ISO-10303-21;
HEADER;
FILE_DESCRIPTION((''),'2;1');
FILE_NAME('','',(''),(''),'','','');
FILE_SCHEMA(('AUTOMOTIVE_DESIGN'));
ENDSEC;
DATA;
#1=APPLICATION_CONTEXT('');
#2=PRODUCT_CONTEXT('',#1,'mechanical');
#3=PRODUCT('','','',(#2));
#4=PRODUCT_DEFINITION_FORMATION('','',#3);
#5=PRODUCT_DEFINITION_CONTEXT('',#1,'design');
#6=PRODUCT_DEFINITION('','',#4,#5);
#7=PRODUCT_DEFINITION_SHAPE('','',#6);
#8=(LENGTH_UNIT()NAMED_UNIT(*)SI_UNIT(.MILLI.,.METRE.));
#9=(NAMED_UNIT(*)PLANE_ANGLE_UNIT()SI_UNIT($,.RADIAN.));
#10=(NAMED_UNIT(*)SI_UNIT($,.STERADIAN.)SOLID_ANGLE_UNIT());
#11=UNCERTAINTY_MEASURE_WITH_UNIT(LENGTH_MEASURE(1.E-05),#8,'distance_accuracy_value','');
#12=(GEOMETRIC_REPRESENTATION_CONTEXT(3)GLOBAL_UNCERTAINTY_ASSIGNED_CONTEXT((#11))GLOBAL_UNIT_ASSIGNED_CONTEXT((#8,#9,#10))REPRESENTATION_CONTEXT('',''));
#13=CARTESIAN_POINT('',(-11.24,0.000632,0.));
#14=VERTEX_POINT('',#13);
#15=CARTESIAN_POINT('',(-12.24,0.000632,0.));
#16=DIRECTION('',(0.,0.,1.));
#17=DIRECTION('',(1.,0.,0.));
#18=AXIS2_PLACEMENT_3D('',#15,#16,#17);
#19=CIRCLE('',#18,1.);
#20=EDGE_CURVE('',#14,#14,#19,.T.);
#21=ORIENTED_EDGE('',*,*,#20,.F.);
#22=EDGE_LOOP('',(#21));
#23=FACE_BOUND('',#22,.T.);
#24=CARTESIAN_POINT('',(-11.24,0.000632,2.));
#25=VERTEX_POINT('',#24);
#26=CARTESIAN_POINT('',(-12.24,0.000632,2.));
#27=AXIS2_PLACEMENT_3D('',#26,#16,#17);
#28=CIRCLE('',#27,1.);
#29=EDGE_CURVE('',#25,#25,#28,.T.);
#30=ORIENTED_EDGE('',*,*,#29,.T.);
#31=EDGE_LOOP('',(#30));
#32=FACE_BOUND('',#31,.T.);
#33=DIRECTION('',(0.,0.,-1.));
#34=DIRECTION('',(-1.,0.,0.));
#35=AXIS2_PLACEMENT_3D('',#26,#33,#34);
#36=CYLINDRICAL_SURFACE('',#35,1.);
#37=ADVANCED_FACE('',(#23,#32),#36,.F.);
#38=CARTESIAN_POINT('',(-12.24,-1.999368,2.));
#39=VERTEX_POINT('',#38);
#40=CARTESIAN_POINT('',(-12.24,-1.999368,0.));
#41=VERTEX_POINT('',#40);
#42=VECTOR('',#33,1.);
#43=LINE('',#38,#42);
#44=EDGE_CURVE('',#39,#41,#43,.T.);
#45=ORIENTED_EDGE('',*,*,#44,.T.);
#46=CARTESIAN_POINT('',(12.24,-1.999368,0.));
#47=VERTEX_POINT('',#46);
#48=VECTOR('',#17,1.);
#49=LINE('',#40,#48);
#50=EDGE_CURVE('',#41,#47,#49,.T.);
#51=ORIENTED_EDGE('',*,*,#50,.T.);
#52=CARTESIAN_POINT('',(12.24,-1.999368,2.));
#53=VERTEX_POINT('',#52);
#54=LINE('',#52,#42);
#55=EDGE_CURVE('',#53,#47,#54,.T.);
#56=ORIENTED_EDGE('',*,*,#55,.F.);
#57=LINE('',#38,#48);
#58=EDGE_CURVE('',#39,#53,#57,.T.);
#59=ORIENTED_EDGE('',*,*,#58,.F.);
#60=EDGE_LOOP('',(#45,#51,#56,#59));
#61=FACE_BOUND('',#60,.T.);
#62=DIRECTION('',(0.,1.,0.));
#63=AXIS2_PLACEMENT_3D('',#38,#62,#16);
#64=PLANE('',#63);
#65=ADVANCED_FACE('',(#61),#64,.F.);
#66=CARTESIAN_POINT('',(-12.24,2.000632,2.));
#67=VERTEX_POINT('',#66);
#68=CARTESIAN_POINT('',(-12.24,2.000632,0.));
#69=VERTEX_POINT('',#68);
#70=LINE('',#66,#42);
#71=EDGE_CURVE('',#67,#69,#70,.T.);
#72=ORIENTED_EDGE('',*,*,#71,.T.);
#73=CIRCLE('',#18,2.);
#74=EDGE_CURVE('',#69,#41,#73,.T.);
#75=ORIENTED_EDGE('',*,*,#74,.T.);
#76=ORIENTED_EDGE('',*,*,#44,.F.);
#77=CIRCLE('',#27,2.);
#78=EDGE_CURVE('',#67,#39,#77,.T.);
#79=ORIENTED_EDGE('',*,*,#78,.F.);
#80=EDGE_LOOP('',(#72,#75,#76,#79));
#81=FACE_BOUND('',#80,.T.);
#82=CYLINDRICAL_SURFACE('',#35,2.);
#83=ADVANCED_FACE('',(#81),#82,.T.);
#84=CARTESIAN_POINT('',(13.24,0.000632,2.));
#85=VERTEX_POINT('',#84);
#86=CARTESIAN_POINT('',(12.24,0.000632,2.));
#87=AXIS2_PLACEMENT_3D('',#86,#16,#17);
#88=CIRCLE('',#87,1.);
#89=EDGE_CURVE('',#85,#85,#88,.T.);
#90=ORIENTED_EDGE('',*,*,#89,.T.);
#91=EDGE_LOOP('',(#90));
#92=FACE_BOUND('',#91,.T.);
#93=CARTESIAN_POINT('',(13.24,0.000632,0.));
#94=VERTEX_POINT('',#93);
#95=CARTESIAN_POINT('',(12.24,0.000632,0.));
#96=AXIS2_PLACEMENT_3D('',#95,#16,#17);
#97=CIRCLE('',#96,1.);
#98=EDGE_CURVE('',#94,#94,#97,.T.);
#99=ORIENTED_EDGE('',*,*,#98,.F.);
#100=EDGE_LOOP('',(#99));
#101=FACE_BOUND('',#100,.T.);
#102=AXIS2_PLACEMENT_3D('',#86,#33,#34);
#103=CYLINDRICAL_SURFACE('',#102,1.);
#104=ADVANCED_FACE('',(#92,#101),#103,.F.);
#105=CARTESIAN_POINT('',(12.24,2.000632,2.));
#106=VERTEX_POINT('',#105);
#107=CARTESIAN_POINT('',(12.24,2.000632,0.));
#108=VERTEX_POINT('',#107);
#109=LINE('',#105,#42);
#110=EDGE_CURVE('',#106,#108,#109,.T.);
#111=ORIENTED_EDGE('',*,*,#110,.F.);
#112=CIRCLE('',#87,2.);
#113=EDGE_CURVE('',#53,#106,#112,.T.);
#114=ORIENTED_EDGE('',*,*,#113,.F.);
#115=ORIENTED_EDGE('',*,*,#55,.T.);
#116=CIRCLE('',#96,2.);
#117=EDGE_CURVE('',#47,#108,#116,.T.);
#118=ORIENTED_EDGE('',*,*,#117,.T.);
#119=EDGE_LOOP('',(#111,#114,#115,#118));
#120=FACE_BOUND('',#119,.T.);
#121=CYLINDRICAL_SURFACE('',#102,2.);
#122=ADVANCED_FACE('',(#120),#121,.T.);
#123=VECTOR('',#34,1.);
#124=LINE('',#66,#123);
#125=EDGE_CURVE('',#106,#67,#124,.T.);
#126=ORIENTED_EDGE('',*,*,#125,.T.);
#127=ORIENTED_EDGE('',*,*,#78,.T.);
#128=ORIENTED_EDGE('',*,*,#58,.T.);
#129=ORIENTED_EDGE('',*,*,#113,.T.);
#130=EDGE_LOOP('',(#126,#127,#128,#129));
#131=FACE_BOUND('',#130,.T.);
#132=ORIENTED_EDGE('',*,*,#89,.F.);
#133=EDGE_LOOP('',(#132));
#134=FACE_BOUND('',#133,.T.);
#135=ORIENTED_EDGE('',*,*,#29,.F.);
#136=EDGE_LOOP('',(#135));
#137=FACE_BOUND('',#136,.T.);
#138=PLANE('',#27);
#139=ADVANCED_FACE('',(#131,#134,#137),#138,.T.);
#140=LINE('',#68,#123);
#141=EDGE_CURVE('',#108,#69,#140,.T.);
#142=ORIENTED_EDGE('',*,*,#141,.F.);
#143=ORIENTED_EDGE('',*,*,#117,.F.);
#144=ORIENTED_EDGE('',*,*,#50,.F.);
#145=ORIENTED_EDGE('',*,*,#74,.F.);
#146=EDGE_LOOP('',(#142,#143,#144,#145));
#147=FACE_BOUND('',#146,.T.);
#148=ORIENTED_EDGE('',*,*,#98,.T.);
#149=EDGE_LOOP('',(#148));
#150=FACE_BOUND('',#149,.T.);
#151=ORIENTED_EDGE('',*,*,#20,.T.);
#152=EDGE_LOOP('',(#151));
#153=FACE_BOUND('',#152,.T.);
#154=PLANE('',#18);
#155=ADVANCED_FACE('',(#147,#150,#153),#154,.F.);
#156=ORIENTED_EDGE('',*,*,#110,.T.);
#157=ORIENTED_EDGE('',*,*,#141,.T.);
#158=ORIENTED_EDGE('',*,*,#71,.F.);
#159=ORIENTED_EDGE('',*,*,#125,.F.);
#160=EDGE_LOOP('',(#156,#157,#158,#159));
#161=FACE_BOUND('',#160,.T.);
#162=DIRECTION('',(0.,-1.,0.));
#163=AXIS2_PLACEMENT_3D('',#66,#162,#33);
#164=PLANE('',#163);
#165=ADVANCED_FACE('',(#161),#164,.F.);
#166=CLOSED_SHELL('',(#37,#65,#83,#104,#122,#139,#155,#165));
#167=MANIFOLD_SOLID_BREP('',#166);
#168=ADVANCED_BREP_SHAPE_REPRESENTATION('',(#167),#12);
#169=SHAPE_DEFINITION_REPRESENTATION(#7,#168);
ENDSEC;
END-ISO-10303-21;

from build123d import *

# Parameters (mm, degrees)
SKETCH_1_R      = 1
EXTRUDE_1_DEPTH = 2


with BuildPart() as part:
    # 草圖1 → 填料-伸長1 (new body)
    with BuildSketch(Plane.XY):
        with BuildLine():
            Line((-12.239999984, 2.000631554), (12.240000016, 2.000631554))
            ThreePointArc((12.240000016, 2.000631554), (14.240000016, 0.000631554), (12.240000016, -1.999368446))
            Line((12.240000016, -1.999368446), (-12.239999984, -1.999368446))
            ThreePointArc((-12.239999984, -1.999368446), (-14.239999984, 0.000631554), (-12.239999984, 2.000631554))
        make_face()
        with Locations((-12.239999984, 0.000631554)):
            Circle(SKETCH_1_R, mode=Mode.SUBTRACT)
        with Locations((12.240000016, 0.000631554)):
            Circle(SKETCH_1_R, mode=Mode.SUBTRACT)
    extrude(amount=EXTRUDE_1_DEPTH)


solid = part.part
